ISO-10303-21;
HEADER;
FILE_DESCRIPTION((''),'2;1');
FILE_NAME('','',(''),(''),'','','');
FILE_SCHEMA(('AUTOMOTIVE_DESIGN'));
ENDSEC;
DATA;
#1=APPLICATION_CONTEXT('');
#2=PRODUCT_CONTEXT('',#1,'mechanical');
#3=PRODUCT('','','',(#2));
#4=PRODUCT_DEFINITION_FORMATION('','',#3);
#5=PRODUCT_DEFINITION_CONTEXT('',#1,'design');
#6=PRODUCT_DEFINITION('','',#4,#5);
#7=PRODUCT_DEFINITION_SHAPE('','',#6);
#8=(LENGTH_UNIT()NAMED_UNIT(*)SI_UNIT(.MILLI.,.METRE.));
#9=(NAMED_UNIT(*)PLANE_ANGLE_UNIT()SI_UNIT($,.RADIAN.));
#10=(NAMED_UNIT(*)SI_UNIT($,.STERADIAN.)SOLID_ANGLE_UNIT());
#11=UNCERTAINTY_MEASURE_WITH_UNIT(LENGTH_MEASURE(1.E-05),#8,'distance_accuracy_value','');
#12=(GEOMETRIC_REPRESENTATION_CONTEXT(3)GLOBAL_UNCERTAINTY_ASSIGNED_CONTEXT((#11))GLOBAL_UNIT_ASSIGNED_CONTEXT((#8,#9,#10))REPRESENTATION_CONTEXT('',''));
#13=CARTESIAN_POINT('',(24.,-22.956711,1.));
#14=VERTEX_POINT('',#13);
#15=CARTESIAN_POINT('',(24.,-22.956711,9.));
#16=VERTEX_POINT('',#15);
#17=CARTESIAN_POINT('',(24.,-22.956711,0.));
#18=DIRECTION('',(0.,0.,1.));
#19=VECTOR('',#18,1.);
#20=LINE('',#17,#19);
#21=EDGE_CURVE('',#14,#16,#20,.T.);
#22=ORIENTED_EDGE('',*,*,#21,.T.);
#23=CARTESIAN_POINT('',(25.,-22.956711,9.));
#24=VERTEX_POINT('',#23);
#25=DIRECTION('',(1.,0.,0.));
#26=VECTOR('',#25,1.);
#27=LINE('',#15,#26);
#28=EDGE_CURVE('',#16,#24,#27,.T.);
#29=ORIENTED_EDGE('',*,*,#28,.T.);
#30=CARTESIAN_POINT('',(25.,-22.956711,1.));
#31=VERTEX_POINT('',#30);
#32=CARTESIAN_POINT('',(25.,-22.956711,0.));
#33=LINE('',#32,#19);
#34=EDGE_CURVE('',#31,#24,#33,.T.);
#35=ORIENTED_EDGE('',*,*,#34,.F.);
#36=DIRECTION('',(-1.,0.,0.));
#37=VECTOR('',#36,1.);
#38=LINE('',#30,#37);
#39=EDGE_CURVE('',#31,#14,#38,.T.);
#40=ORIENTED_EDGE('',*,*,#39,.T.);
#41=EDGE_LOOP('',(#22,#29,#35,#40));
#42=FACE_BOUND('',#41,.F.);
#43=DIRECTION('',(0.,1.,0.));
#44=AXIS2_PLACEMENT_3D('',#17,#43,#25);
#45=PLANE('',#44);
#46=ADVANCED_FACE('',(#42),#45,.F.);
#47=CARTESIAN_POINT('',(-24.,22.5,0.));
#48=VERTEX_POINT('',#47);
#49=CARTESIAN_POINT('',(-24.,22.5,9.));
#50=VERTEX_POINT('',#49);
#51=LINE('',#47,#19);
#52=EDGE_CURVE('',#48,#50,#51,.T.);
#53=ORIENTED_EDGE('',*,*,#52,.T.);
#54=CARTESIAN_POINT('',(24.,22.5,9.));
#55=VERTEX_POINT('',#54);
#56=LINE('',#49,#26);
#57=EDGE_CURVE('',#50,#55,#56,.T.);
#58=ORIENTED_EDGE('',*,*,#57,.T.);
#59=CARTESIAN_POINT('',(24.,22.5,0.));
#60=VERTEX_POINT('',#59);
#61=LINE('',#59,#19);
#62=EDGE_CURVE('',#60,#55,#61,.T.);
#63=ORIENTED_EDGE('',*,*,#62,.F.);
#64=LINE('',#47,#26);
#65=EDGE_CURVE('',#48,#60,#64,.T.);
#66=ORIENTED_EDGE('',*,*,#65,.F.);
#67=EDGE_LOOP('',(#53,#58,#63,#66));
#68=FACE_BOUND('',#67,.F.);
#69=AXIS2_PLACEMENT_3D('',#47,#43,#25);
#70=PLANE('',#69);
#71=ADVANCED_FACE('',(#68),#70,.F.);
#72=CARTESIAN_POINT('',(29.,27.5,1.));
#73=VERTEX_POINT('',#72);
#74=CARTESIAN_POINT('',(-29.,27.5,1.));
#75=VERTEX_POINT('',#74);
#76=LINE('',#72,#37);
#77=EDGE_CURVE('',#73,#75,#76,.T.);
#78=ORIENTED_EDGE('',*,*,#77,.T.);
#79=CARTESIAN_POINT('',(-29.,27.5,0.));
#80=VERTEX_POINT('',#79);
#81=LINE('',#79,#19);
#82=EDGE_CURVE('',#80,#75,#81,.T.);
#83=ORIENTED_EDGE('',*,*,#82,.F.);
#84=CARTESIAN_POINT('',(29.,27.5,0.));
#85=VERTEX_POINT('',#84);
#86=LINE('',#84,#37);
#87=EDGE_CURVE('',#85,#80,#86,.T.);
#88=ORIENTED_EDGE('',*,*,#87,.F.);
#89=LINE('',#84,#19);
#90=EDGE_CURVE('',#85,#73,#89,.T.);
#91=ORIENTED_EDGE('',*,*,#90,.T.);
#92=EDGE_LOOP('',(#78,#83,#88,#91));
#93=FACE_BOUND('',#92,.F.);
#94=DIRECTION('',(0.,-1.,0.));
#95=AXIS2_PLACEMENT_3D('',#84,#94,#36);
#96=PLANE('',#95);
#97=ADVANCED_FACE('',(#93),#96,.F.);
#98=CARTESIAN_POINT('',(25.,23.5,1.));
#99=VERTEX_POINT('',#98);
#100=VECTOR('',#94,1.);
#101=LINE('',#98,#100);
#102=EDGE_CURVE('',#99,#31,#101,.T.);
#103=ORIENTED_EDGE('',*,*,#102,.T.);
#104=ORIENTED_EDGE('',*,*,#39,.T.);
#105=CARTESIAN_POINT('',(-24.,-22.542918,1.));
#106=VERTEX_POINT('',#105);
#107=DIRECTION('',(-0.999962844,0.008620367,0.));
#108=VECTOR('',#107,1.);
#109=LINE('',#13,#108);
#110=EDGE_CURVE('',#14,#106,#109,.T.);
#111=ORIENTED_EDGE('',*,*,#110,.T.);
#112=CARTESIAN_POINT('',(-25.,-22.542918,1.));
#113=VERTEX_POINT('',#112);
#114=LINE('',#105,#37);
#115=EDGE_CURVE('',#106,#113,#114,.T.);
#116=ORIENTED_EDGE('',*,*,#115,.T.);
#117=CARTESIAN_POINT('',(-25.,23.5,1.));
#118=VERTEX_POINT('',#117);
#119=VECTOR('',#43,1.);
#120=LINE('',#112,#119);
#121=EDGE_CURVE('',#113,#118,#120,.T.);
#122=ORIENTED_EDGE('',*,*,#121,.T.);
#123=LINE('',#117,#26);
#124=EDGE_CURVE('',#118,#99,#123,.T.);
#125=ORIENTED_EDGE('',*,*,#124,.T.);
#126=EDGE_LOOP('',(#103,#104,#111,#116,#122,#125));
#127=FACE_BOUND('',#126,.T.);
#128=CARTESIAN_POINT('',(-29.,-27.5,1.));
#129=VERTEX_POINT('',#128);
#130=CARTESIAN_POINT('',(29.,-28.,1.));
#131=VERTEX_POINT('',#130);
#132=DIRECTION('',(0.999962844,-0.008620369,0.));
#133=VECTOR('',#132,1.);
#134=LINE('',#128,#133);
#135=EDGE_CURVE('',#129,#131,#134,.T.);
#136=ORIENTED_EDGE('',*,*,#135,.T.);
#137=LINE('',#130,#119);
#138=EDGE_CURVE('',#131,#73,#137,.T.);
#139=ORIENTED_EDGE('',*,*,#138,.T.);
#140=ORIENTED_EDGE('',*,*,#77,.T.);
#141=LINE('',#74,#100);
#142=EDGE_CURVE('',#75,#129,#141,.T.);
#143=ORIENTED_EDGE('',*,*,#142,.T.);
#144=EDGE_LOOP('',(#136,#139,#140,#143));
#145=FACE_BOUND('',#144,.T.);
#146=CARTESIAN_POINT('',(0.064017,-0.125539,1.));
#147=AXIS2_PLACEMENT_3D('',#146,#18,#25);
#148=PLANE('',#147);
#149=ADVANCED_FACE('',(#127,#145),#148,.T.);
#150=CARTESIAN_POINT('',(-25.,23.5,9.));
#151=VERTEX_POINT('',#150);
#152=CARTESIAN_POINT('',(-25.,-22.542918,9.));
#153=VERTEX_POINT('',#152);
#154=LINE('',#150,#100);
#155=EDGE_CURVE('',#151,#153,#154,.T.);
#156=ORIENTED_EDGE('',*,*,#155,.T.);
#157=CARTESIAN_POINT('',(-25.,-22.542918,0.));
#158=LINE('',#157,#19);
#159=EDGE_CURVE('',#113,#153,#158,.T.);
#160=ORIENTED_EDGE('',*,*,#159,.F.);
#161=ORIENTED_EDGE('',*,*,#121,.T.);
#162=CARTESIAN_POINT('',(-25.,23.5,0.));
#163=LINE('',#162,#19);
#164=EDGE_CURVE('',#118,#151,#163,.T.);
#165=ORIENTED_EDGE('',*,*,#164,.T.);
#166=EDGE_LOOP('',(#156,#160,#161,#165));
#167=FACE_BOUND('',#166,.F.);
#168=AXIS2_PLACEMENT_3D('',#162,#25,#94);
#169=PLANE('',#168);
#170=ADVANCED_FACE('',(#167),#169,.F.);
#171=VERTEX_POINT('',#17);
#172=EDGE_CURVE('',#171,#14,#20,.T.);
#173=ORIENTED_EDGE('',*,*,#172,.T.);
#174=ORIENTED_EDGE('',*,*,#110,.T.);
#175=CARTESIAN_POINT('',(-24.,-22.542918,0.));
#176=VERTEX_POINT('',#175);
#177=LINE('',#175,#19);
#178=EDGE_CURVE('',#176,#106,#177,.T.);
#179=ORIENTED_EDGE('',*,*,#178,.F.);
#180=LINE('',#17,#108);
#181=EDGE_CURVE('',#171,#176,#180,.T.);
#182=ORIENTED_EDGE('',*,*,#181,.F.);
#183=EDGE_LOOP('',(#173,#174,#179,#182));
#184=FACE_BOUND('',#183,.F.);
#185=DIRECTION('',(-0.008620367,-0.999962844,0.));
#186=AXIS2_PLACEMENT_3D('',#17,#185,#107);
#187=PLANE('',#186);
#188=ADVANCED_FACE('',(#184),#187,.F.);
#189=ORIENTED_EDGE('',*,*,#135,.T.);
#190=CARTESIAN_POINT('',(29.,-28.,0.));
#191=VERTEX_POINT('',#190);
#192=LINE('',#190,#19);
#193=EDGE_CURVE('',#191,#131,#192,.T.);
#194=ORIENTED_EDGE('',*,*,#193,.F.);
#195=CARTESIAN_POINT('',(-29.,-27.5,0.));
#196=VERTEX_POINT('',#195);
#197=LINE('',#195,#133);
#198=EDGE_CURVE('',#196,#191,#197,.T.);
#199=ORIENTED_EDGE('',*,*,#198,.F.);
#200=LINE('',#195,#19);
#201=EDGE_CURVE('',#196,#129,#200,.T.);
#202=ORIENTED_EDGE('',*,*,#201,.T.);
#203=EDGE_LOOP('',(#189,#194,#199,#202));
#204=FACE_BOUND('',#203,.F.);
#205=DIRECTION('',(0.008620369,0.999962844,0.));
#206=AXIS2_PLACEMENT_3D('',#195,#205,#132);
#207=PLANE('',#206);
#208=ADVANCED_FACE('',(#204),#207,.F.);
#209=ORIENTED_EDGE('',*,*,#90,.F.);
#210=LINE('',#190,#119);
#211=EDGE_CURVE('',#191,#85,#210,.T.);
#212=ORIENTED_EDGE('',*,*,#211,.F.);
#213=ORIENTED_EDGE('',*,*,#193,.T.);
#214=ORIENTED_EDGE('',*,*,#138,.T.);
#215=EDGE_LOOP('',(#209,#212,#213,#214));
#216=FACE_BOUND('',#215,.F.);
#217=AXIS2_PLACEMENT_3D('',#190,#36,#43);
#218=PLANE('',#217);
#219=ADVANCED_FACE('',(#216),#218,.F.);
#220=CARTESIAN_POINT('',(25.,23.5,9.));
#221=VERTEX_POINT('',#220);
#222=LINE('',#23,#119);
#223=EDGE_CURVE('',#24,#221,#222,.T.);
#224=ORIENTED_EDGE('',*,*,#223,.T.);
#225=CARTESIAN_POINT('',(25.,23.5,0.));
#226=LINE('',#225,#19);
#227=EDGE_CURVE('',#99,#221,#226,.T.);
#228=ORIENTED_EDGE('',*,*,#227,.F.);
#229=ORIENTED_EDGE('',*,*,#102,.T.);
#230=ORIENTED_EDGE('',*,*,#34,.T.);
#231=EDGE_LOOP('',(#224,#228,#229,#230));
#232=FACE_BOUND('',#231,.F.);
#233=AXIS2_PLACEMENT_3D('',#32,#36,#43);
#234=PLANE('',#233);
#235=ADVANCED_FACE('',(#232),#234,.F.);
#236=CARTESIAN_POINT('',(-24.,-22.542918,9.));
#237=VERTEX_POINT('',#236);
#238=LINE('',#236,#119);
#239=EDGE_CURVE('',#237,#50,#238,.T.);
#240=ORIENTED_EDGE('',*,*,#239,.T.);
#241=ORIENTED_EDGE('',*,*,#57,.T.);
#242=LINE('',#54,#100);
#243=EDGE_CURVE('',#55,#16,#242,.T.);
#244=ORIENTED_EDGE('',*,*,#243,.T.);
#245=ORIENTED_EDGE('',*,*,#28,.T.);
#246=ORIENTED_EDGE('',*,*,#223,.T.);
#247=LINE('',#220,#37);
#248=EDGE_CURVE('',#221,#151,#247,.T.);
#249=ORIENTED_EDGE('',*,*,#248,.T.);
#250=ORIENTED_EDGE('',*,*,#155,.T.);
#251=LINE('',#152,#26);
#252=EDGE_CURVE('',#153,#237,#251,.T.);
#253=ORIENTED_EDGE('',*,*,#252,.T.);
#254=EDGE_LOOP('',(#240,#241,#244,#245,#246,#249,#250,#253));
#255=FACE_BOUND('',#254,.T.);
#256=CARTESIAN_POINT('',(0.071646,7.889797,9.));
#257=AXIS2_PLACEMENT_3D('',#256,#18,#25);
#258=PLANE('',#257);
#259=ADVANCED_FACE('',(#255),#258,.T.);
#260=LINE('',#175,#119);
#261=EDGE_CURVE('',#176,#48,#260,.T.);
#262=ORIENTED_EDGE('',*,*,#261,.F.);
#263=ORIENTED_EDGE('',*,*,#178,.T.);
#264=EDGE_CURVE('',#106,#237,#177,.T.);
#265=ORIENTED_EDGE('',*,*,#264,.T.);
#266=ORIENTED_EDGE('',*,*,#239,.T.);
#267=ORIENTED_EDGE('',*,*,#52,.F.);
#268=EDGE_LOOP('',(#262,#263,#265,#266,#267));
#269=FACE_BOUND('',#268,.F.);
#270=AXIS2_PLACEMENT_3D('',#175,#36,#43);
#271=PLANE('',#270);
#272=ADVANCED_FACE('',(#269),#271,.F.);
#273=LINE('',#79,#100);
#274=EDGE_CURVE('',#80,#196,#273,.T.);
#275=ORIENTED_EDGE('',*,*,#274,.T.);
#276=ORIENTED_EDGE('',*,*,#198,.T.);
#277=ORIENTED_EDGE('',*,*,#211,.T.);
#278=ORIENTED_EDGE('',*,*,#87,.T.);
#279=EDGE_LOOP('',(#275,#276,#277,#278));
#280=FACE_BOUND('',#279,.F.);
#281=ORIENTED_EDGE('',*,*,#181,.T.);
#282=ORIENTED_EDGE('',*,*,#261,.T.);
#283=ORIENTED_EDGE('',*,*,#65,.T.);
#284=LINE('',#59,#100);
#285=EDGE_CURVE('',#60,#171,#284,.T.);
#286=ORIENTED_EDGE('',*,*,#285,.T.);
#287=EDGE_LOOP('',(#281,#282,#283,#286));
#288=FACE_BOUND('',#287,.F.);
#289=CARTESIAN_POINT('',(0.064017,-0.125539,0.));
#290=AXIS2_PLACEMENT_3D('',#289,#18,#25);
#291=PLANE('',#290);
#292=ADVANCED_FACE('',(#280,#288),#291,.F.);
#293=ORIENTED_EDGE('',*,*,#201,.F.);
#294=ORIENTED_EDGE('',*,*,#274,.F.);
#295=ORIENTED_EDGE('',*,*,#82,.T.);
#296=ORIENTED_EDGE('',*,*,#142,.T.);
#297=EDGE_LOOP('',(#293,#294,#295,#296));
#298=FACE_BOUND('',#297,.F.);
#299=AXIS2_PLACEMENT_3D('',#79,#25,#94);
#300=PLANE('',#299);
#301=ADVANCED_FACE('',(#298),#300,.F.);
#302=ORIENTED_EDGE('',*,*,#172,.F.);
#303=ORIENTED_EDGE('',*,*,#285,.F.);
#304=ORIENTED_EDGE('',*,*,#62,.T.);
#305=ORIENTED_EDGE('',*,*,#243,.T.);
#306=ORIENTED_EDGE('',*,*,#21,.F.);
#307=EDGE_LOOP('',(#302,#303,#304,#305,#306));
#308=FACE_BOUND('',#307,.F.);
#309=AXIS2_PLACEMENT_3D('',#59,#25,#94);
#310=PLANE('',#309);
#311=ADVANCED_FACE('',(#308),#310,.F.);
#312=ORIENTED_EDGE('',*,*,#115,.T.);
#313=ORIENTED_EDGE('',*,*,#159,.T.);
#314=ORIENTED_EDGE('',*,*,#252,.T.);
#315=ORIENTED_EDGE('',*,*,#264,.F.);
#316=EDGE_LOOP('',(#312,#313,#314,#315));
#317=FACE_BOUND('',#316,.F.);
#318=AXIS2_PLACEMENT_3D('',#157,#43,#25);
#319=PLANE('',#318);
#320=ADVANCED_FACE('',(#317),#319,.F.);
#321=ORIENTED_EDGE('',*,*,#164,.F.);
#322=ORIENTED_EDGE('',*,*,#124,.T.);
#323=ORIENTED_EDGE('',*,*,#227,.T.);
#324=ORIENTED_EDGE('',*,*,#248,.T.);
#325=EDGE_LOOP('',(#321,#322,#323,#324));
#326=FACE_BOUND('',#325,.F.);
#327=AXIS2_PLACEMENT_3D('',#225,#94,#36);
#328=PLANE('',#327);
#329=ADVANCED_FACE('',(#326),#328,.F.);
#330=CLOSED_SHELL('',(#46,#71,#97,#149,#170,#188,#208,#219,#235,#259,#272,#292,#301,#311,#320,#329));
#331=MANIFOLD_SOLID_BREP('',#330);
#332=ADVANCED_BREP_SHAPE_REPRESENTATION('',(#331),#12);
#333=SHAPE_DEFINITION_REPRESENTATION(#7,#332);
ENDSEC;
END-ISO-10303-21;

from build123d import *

# Parameters (mm, degrees)
F1_DEPTH = 9
F2_DEPTH = 1


with BuildPart() as f1:
    # F0 (on Top) → F1 (new body)
    with BuildSketch(Plane.XY):
        Polygon((-24, -22.542918), (-24, 22.5), (24, 22.5), (24, -22.956711), (25, -22.956711), (25, 23.5), (-25, 23.5), (-25, -22.542918), align=None)
    extrude(amount=F1_DEPTH)

    # F0 (on Top) → F2 (join)
    with BuildSketch(Plane.XY):
        Polygon((29, 27.5), (-29, 27.5), (-29, -27.5), (29, -28), align=None)
        Polygon((24, -22.956711), (-24, -22.542918), (-25, -22.542918), (-25, 23.5), (25, 23.5), (25, -22.956711), align=None, mode=Mode.SUBTRACT)
    extrude(amount=F2_DEPTH)


solid = f1.part
